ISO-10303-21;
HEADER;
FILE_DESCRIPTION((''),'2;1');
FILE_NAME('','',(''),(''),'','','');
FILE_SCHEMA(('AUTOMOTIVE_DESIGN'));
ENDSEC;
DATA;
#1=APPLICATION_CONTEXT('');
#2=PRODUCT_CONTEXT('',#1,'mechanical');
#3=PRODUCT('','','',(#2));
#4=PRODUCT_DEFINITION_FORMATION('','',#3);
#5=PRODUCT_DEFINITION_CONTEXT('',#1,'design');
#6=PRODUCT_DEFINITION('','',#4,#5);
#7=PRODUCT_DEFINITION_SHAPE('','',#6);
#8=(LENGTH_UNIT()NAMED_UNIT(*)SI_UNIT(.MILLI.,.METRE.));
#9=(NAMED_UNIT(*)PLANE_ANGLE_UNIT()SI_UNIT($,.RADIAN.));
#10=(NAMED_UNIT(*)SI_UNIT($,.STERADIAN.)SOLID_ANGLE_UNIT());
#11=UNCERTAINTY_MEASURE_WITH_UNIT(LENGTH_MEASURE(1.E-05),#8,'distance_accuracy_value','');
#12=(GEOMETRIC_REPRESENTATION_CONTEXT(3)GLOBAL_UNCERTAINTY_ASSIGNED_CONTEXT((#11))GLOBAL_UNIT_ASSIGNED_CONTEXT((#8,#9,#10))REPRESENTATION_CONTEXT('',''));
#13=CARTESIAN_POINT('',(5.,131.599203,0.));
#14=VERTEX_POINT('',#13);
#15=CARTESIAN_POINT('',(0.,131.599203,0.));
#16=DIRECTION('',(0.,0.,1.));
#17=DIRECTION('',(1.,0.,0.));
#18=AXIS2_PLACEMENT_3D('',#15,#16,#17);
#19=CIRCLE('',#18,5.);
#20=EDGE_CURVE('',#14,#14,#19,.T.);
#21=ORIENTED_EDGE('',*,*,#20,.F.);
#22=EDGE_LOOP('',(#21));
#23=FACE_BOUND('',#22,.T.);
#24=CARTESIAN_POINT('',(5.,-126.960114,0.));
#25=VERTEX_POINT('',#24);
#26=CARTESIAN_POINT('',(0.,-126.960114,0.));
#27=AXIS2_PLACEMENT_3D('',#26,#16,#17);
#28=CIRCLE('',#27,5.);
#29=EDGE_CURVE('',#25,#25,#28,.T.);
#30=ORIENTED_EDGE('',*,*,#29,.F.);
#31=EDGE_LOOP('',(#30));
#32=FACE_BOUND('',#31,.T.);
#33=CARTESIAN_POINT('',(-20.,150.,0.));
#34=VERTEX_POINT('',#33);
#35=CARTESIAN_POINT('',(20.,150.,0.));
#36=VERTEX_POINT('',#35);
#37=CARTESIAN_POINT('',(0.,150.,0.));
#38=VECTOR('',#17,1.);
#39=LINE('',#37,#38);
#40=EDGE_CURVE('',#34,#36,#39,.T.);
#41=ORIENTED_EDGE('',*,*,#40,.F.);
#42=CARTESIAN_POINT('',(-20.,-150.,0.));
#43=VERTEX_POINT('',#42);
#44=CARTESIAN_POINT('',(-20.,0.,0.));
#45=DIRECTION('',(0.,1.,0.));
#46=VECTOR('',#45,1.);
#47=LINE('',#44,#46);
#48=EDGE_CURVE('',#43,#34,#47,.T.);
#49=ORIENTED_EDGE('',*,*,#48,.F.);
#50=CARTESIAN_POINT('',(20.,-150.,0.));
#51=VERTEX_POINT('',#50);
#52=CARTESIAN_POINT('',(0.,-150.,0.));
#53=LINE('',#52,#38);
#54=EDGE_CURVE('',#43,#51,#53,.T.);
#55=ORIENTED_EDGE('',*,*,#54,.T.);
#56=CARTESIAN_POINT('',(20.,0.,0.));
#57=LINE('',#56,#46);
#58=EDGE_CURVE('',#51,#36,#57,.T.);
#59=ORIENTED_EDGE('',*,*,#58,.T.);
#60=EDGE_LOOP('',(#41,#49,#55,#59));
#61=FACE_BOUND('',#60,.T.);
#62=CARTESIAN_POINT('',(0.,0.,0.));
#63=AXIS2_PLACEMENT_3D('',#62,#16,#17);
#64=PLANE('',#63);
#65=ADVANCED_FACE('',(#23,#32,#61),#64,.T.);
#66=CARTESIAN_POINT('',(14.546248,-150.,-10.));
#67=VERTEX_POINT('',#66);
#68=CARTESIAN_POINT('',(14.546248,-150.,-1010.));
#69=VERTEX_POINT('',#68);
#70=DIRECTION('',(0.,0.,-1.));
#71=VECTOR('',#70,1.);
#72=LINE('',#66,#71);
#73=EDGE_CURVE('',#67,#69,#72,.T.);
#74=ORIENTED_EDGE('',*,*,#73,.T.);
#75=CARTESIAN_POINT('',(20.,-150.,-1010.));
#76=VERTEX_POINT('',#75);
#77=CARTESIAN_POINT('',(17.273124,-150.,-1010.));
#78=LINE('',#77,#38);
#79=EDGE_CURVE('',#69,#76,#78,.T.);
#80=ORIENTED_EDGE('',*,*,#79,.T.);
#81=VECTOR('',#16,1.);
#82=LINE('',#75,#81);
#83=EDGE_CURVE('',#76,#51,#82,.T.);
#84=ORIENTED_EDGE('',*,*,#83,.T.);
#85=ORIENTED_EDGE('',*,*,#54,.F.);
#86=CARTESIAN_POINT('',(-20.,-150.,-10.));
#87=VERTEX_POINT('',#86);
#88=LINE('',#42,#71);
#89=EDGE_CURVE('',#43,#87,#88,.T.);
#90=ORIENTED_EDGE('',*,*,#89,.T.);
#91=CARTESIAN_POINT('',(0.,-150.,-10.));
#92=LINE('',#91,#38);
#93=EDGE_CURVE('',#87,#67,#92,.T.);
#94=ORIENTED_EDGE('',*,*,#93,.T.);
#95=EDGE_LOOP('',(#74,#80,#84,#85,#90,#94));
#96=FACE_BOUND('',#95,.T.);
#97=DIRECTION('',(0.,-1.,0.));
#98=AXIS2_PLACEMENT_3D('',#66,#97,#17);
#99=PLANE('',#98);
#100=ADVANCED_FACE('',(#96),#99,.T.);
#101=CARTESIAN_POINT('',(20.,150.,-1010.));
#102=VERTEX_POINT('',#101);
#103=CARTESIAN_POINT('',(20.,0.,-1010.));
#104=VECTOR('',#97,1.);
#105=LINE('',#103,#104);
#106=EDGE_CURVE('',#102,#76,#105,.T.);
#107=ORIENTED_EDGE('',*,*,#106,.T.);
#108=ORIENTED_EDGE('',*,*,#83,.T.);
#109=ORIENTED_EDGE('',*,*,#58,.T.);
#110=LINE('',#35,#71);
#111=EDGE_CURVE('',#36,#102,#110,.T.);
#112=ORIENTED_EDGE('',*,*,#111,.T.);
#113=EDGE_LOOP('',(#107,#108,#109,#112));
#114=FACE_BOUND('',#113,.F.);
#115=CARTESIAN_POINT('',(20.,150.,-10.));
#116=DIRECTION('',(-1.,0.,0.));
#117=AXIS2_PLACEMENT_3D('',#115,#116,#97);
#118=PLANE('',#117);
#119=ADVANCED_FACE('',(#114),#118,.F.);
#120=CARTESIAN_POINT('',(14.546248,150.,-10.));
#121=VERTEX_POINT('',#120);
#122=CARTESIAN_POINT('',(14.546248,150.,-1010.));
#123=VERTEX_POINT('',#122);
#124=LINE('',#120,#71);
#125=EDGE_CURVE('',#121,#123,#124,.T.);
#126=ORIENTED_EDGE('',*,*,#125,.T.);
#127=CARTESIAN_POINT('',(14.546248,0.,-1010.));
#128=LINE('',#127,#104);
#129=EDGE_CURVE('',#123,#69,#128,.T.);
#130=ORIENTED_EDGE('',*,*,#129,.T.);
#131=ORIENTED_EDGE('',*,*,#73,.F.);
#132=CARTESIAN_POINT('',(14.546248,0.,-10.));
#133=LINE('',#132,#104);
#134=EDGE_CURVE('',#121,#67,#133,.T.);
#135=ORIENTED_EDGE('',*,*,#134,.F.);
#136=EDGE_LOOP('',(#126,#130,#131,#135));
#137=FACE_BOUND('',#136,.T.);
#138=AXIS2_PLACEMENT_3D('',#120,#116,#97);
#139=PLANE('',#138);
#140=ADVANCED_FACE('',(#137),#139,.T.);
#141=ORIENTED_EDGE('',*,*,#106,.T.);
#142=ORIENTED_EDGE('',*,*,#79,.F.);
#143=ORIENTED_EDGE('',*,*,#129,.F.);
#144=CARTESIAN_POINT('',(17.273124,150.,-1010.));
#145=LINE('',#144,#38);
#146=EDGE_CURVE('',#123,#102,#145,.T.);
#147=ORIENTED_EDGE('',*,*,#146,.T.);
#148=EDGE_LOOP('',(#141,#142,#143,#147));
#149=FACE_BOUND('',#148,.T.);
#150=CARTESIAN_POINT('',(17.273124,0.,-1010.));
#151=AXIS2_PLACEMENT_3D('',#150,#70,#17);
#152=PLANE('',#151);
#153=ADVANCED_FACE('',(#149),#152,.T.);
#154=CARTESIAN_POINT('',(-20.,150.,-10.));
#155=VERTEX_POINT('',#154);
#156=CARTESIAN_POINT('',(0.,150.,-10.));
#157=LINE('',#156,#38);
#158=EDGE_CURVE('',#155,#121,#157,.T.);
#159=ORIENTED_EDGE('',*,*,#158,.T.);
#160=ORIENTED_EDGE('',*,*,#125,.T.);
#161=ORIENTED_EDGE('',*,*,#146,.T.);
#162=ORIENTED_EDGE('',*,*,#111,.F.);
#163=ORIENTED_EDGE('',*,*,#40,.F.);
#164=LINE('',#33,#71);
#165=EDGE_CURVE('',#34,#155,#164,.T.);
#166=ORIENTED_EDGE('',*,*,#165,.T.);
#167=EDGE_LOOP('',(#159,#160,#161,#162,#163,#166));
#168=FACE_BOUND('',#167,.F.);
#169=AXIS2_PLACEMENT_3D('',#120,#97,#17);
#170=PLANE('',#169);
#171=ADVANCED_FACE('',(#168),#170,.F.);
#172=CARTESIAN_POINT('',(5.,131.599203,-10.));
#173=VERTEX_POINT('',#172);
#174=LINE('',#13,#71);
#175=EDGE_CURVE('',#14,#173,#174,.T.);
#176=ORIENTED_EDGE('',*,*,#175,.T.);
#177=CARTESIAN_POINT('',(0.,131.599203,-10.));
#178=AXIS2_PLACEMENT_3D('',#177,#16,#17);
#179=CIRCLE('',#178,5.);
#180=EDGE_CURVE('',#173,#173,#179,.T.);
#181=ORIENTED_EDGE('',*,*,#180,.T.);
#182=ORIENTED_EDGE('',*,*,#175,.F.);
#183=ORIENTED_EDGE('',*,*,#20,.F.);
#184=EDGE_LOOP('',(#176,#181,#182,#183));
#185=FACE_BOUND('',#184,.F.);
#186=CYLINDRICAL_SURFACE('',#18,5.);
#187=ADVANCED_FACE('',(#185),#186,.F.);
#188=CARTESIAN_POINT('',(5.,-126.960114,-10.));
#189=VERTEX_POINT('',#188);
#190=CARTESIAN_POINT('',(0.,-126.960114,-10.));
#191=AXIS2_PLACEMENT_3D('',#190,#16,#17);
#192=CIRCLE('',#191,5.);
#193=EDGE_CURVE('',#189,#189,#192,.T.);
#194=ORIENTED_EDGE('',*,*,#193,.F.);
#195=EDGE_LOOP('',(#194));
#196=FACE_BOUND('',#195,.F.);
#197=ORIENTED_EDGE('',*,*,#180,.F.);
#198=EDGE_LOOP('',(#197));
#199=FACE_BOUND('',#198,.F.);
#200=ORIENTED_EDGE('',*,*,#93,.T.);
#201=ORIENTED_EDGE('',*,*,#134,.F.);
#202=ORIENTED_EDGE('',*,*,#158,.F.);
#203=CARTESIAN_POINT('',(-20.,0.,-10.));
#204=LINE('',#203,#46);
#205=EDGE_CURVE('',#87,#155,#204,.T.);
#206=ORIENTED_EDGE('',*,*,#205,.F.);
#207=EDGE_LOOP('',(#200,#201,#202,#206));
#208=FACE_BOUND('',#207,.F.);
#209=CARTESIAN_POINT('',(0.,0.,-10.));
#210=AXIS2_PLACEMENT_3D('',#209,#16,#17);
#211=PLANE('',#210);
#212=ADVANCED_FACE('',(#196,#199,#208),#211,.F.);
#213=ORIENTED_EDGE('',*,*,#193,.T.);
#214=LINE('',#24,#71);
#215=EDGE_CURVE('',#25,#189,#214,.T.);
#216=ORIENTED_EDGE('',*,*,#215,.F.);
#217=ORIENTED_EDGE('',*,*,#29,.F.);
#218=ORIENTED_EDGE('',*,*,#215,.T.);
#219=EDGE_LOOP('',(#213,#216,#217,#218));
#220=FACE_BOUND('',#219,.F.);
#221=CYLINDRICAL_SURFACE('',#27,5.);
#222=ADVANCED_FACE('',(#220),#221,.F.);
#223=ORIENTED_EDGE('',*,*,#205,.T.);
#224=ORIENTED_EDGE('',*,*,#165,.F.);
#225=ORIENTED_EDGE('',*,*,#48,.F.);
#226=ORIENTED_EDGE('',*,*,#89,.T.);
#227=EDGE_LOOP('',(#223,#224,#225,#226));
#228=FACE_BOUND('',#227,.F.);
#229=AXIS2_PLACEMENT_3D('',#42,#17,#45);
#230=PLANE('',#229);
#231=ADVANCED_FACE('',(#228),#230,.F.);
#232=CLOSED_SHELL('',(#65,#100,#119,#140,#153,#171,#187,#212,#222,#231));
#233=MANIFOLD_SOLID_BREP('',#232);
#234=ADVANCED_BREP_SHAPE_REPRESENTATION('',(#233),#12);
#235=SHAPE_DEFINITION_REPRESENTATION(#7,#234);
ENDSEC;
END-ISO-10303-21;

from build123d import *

# Parameters (mm, degrees)
F0_W     = 40
F0_H     = 300
F0_R     = 5
F1_DEPTH = 10
F2_W     = 5.453752
F2_H     = 300
F3_DEPTH = 1000


with BuildPart() as f1:
    # F0 (on Top) → F1 (new body)
    with BuildSketch(Plane.XY):
        Rectangle(F0_W, F0_H)
        with Locations((0, -126.960114)):
            Circle(F0_R, mode=Mode.SUBTRACT)
        with Locations((0, 131.599203)):
            Circle(F0_R, mode=Mode.SUBTRACT)
    extrude(amount=-F1_DEPTH)

    # F2 (on face) → F3 (join)
    with BuildSketch(Plane(origin=(0, 0, -10), x_dir=(1, 0, 0), z_dir=(0, 0, -1))):
        with Locations((17.273124, 0)):
            Rectangle(F2_W, F2_H)
    extrude(amount=F3_DEPTH)


solid = f1.part
